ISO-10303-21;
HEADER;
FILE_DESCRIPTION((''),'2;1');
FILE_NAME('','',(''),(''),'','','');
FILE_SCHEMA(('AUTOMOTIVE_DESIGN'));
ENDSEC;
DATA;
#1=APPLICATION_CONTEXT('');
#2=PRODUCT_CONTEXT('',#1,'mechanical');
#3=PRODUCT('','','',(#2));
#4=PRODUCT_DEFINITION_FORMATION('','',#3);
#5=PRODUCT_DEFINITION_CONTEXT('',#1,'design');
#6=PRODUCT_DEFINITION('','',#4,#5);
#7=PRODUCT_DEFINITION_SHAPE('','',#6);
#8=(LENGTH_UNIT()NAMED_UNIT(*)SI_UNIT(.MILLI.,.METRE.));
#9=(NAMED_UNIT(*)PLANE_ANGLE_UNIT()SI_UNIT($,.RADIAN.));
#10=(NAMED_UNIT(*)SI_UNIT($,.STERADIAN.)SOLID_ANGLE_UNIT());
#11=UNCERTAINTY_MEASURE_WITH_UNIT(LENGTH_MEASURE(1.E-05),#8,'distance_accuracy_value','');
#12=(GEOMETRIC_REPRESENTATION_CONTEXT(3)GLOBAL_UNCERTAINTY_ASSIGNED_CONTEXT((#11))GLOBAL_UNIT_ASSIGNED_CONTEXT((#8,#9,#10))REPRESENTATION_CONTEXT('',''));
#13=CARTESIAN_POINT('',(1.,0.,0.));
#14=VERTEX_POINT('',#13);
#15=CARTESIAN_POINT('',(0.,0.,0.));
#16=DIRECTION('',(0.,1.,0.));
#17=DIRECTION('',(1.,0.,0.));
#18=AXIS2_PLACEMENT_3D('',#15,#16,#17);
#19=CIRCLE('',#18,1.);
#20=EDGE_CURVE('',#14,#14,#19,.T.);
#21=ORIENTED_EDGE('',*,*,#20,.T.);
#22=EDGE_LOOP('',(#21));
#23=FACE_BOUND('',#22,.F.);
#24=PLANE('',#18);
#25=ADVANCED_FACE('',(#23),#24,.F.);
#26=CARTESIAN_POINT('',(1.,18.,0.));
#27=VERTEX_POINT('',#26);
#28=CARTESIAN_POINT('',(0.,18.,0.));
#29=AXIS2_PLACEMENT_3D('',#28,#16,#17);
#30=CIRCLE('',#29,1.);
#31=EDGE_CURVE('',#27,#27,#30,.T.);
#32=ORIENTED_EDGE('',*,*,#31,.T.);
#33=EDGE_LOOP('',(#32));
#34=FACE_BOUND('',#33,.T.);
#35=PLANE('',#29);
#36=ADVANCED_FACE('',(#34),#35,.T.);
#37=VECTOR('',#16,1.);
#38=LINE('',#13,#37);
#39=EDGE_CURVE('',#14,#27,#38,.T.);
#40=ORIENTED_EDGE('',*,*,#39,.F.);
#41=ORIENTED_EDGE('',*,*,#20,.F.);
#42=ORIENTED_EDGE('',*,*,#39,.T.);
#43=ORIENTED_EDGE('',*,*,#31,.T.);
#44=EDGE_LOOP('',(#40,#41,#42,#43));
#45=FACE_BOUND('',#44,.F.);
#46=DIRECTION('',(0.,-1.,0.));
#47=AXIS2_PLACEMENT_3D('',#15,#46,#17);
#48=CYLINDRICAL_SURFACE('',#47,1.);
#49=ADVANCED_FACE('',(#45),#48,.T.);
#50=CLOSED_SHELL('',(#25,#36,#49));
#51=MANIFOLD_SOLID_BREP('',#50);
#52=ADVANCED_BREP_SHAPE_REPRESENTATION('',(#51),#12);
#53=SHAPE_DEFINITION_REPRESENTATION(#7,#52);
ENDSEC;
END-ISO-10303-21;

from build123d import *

# Parameters (mm, degrees)
SKIZZE1_R                       = 1
AUFSATZ_LINEAR_AUSTRAGEN1_DEPTH = 18


with BuildPart() as part:
    # Skizze1 → Aufsatz-Linear austragen1 (new body)
    with BuildSketch(Plane(origin=(0, 0, 0), x_dir=(1, 0, 0), z_dir=(0, 1, 0))):
        Circle(SKIZZE1_R)
    extrude(amount=AUFSATZ_LINEAR_AUSTRAGEN1_DEPTH)


solid = part.part
